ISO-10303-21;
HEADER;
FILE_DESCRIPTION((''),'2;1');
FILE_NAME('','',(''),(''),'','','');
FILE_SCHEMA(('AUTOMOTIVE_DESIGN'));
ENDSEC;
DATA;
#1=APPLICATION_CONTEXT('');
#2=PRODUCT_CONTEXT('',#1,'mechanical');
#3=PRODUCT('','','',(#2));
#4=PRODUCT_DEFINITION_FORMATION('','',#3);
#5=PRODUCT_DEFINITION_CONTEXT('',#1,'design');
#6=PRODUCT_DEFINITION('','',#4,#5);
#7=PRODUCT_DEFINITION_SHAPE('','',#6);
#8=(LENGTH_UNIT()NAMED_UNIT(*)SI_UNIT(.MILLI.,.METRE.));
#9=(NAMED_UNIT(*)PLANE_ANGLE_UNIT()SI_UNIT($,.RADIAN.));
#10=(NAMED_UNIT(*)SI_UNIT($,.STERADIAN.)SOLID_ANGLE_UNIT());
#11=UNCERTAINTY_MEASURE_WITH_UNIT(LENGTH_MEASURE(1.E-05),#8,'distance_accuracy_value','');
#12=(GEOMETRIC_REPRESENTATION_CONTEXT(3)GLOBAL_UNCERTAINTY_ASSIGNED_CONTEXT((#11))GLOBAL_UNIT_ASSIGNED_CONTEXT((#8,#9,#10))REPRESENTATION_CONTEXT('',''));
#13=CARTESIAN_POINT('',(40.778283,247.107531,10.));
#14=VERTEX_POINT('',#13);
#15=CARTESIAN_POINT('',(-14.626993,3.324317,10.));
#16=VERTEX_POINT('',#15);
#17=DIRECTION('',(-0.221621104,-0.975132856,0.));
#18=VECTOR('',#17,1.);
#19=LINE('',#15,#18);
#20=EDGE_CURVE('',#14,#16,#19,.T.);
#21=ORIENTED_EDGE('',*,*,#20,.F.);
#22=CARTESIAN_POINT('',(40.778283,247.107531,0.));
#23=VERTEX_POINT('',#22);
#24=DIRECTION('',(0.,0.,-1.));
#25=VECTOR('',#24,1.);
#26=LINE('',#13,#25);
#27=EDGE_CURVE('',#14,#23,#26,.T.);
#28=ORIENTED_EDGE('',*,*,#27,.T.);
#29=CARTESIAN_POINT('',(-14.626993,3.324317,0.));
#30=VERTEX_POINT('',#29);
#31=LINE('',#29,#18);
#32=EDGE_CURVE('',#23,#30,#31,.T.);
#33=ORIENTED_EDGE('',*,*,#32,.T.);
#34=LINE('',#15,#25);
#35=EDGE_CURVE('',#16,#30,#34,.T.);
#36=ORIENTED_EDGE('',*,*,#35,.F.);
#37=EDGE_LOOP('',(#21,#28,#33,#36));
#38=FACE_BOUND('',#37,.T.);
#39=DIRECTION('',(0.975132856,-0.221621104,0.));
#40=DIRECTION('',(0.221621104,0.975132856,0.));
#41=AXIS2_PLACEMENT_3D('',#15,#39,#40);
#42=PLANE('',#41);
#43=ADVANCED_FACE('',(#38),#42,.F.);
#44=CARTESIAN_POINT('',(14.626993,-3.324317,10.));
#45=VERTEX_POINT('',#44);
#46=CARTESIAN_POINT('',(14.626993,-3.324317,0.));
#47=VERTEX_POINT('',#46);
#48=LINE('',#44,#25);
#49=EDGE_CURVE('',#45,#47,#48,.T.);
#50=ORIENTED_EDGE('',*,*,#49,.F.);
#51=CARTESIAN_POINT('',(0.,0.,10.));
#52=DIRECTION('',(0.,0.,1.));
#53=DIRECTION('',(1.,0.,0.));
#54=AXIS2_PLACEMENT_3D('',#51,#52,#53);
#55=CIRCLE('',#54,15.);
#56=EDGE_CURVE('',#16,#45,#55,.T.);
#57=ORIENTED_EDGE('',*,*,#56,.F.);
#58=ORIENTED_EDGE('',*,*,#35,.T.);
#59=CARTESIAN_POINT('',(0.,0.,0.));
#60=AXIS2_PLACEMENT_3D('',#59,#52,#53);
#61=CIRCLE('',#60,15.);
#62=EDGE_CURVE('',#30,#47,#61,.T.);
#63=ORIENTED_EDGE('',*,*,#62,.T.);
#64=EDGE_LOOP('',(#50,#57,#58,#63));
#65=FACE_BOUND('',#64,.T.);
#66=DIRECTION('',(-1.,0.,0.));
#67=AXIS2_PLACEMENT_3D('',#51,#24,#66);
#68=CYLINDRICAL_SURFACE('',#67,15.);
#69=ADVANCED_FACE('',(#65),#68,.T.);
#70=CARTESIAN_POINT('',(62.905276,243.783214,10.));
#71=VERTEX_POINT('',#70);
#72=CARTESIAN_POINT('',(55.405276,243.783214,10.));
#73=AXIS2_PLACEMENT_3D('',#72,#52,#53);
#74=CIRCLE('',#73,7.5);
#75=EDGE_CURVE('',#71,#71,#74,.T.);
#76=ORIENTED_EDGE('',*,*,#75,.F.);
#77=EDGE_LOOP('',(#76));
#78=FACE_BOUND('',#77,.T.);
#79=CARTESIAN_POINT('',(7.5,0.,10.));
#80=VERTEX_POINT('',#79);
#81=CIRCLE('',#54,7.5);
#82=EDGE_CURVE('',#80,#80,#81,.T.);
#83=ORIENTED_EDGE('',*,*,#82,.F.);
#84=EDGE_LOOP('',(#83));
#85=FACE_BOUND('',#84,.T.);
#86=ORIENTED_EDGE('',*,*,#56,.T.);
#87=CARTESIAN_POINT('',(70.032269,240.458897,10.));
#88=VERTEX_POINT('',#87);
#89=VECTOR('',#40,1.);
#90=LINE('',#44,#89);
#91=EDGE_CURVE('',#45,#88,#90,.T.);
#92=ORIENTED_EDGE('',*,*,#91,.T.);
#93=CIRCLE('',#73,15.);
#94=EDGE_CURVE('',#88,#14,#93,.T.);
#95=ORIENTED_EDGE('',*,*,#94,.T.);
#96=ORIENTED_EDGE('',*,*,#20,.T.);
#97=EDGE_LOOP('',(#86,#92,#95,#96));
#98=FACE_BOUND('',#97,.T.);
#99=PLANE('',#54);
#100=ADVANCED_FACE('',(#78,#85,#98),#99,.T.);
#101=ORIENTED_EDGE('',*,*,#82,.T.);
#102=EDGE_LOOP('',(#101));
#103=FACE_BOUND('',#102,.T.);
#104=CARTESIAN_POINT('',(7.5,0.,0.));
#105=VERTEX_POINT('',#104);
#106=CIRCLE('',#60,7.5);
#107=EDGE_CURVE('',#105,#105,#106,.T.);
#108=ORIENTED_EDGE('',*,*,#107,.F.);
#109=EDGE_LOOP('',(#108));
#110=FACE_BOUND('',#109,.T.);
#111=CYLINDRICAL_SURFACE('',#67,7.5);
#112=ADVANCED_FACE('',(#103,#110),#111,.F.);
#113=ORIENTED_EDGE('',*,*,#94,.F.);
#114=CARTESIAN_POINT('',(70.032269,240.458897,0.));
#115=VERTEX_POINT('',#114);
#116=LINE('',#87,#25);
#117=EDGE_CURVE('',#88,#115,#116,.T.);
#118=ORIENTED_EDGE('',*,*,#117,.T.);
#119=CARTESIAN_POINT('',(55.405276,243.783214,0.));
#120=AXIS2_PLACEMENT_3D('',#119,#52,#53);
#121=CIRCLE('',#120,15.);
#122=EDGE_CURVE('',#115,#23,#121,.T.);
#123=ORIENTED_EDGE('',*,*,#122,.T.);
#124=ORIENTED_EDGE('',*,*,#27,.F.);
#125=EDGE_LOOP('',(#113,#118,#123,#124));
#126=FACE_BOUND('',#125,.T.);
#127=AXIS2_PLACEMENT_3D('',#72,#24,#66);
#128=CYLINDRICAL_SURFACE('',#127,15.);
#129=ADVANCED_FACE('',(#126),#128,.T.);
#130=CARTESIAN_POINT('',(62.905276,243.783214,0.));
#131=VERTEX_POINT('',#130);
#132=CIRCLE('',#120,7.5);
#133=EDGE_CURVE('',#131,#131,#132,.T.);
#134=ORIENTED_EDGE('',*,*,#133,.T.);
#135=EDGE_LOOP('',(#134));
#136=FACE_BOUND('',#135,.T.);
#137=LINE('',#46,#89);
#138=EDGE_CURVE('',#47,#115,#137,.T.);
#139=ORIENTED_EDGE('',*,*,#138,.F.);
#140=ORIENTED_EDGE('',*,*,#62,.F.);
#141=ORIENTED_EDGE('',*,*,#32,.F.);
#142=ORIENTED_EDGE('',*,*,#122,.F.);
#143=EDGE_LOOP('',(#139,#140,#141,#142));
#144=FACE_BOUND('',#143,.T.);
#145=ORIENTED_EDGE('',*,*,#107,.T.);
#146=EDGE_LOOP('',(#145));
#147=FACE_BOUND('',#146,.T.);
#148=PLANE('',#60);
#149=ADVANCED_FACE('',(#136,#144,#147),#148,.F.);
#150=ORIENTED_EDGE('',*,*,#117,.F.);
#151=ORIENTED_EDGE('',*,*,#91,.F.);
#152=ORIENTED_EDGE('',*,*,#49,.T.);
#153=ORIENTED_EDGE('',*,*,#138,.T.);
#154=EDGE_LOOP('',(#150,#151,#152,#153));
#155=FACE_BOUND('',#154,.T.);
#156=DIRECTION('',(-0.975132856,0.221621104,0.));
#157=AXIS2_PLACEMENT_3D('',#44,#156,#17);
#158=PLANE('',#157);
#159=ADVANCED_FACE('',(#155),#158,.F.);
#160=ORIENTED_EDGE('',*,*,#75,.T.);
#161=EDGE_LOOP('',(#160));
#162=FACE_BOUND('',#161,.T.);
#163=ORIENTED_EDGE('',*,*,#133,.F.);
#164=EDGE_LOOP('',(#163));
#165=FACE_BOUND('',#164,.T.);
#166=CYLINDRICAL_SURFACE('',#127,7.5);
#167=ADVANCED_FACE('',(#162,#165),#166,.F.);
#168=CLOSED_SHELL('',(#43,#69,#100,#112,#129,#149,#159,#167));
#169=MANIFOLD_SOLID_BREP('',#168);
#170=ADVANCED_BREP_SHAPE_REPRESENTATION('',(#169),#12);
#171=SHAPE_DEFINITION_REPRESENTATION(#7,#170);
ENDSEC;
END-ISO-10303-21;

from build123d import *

# Parameters (mm, degrees)
SKETCH2_R           = 7.5
BOSS_EXTRUDE1_DEPTH = 10


with BuildPart() as part:
    # Sketch2 → Boss-Extrude1 (new body)
    with BuildSketch(Plane.XY):
        with BuildLine():
            Line((-14.626992837, 3.324316554), (40.77828306, 247.107530502))
            ThreePointArc((40.77828306, 247.107530502), (58.729592451, 258.410206785), (70.032268734, 240.458897394))
            Line((70.032268734, 240.458897394), (14.626992837, -3.324316554))
            ThreePointArc((14.626992837, -3.324316554), (-3.324316554, -14.626992837), (-14.626992837, 3.324316554))
        make_face()
        Circle(SKETCH2_R, mode=Mode.SUBTRACT)
        with Locations((55.405275897, 243.783213948)):
            Circle(SKETCH2_R, mode=Mode.SUBTRACT)
    extrude(amount=BOSS_EXTRUDE1_DEPTH)


solid = part.part
